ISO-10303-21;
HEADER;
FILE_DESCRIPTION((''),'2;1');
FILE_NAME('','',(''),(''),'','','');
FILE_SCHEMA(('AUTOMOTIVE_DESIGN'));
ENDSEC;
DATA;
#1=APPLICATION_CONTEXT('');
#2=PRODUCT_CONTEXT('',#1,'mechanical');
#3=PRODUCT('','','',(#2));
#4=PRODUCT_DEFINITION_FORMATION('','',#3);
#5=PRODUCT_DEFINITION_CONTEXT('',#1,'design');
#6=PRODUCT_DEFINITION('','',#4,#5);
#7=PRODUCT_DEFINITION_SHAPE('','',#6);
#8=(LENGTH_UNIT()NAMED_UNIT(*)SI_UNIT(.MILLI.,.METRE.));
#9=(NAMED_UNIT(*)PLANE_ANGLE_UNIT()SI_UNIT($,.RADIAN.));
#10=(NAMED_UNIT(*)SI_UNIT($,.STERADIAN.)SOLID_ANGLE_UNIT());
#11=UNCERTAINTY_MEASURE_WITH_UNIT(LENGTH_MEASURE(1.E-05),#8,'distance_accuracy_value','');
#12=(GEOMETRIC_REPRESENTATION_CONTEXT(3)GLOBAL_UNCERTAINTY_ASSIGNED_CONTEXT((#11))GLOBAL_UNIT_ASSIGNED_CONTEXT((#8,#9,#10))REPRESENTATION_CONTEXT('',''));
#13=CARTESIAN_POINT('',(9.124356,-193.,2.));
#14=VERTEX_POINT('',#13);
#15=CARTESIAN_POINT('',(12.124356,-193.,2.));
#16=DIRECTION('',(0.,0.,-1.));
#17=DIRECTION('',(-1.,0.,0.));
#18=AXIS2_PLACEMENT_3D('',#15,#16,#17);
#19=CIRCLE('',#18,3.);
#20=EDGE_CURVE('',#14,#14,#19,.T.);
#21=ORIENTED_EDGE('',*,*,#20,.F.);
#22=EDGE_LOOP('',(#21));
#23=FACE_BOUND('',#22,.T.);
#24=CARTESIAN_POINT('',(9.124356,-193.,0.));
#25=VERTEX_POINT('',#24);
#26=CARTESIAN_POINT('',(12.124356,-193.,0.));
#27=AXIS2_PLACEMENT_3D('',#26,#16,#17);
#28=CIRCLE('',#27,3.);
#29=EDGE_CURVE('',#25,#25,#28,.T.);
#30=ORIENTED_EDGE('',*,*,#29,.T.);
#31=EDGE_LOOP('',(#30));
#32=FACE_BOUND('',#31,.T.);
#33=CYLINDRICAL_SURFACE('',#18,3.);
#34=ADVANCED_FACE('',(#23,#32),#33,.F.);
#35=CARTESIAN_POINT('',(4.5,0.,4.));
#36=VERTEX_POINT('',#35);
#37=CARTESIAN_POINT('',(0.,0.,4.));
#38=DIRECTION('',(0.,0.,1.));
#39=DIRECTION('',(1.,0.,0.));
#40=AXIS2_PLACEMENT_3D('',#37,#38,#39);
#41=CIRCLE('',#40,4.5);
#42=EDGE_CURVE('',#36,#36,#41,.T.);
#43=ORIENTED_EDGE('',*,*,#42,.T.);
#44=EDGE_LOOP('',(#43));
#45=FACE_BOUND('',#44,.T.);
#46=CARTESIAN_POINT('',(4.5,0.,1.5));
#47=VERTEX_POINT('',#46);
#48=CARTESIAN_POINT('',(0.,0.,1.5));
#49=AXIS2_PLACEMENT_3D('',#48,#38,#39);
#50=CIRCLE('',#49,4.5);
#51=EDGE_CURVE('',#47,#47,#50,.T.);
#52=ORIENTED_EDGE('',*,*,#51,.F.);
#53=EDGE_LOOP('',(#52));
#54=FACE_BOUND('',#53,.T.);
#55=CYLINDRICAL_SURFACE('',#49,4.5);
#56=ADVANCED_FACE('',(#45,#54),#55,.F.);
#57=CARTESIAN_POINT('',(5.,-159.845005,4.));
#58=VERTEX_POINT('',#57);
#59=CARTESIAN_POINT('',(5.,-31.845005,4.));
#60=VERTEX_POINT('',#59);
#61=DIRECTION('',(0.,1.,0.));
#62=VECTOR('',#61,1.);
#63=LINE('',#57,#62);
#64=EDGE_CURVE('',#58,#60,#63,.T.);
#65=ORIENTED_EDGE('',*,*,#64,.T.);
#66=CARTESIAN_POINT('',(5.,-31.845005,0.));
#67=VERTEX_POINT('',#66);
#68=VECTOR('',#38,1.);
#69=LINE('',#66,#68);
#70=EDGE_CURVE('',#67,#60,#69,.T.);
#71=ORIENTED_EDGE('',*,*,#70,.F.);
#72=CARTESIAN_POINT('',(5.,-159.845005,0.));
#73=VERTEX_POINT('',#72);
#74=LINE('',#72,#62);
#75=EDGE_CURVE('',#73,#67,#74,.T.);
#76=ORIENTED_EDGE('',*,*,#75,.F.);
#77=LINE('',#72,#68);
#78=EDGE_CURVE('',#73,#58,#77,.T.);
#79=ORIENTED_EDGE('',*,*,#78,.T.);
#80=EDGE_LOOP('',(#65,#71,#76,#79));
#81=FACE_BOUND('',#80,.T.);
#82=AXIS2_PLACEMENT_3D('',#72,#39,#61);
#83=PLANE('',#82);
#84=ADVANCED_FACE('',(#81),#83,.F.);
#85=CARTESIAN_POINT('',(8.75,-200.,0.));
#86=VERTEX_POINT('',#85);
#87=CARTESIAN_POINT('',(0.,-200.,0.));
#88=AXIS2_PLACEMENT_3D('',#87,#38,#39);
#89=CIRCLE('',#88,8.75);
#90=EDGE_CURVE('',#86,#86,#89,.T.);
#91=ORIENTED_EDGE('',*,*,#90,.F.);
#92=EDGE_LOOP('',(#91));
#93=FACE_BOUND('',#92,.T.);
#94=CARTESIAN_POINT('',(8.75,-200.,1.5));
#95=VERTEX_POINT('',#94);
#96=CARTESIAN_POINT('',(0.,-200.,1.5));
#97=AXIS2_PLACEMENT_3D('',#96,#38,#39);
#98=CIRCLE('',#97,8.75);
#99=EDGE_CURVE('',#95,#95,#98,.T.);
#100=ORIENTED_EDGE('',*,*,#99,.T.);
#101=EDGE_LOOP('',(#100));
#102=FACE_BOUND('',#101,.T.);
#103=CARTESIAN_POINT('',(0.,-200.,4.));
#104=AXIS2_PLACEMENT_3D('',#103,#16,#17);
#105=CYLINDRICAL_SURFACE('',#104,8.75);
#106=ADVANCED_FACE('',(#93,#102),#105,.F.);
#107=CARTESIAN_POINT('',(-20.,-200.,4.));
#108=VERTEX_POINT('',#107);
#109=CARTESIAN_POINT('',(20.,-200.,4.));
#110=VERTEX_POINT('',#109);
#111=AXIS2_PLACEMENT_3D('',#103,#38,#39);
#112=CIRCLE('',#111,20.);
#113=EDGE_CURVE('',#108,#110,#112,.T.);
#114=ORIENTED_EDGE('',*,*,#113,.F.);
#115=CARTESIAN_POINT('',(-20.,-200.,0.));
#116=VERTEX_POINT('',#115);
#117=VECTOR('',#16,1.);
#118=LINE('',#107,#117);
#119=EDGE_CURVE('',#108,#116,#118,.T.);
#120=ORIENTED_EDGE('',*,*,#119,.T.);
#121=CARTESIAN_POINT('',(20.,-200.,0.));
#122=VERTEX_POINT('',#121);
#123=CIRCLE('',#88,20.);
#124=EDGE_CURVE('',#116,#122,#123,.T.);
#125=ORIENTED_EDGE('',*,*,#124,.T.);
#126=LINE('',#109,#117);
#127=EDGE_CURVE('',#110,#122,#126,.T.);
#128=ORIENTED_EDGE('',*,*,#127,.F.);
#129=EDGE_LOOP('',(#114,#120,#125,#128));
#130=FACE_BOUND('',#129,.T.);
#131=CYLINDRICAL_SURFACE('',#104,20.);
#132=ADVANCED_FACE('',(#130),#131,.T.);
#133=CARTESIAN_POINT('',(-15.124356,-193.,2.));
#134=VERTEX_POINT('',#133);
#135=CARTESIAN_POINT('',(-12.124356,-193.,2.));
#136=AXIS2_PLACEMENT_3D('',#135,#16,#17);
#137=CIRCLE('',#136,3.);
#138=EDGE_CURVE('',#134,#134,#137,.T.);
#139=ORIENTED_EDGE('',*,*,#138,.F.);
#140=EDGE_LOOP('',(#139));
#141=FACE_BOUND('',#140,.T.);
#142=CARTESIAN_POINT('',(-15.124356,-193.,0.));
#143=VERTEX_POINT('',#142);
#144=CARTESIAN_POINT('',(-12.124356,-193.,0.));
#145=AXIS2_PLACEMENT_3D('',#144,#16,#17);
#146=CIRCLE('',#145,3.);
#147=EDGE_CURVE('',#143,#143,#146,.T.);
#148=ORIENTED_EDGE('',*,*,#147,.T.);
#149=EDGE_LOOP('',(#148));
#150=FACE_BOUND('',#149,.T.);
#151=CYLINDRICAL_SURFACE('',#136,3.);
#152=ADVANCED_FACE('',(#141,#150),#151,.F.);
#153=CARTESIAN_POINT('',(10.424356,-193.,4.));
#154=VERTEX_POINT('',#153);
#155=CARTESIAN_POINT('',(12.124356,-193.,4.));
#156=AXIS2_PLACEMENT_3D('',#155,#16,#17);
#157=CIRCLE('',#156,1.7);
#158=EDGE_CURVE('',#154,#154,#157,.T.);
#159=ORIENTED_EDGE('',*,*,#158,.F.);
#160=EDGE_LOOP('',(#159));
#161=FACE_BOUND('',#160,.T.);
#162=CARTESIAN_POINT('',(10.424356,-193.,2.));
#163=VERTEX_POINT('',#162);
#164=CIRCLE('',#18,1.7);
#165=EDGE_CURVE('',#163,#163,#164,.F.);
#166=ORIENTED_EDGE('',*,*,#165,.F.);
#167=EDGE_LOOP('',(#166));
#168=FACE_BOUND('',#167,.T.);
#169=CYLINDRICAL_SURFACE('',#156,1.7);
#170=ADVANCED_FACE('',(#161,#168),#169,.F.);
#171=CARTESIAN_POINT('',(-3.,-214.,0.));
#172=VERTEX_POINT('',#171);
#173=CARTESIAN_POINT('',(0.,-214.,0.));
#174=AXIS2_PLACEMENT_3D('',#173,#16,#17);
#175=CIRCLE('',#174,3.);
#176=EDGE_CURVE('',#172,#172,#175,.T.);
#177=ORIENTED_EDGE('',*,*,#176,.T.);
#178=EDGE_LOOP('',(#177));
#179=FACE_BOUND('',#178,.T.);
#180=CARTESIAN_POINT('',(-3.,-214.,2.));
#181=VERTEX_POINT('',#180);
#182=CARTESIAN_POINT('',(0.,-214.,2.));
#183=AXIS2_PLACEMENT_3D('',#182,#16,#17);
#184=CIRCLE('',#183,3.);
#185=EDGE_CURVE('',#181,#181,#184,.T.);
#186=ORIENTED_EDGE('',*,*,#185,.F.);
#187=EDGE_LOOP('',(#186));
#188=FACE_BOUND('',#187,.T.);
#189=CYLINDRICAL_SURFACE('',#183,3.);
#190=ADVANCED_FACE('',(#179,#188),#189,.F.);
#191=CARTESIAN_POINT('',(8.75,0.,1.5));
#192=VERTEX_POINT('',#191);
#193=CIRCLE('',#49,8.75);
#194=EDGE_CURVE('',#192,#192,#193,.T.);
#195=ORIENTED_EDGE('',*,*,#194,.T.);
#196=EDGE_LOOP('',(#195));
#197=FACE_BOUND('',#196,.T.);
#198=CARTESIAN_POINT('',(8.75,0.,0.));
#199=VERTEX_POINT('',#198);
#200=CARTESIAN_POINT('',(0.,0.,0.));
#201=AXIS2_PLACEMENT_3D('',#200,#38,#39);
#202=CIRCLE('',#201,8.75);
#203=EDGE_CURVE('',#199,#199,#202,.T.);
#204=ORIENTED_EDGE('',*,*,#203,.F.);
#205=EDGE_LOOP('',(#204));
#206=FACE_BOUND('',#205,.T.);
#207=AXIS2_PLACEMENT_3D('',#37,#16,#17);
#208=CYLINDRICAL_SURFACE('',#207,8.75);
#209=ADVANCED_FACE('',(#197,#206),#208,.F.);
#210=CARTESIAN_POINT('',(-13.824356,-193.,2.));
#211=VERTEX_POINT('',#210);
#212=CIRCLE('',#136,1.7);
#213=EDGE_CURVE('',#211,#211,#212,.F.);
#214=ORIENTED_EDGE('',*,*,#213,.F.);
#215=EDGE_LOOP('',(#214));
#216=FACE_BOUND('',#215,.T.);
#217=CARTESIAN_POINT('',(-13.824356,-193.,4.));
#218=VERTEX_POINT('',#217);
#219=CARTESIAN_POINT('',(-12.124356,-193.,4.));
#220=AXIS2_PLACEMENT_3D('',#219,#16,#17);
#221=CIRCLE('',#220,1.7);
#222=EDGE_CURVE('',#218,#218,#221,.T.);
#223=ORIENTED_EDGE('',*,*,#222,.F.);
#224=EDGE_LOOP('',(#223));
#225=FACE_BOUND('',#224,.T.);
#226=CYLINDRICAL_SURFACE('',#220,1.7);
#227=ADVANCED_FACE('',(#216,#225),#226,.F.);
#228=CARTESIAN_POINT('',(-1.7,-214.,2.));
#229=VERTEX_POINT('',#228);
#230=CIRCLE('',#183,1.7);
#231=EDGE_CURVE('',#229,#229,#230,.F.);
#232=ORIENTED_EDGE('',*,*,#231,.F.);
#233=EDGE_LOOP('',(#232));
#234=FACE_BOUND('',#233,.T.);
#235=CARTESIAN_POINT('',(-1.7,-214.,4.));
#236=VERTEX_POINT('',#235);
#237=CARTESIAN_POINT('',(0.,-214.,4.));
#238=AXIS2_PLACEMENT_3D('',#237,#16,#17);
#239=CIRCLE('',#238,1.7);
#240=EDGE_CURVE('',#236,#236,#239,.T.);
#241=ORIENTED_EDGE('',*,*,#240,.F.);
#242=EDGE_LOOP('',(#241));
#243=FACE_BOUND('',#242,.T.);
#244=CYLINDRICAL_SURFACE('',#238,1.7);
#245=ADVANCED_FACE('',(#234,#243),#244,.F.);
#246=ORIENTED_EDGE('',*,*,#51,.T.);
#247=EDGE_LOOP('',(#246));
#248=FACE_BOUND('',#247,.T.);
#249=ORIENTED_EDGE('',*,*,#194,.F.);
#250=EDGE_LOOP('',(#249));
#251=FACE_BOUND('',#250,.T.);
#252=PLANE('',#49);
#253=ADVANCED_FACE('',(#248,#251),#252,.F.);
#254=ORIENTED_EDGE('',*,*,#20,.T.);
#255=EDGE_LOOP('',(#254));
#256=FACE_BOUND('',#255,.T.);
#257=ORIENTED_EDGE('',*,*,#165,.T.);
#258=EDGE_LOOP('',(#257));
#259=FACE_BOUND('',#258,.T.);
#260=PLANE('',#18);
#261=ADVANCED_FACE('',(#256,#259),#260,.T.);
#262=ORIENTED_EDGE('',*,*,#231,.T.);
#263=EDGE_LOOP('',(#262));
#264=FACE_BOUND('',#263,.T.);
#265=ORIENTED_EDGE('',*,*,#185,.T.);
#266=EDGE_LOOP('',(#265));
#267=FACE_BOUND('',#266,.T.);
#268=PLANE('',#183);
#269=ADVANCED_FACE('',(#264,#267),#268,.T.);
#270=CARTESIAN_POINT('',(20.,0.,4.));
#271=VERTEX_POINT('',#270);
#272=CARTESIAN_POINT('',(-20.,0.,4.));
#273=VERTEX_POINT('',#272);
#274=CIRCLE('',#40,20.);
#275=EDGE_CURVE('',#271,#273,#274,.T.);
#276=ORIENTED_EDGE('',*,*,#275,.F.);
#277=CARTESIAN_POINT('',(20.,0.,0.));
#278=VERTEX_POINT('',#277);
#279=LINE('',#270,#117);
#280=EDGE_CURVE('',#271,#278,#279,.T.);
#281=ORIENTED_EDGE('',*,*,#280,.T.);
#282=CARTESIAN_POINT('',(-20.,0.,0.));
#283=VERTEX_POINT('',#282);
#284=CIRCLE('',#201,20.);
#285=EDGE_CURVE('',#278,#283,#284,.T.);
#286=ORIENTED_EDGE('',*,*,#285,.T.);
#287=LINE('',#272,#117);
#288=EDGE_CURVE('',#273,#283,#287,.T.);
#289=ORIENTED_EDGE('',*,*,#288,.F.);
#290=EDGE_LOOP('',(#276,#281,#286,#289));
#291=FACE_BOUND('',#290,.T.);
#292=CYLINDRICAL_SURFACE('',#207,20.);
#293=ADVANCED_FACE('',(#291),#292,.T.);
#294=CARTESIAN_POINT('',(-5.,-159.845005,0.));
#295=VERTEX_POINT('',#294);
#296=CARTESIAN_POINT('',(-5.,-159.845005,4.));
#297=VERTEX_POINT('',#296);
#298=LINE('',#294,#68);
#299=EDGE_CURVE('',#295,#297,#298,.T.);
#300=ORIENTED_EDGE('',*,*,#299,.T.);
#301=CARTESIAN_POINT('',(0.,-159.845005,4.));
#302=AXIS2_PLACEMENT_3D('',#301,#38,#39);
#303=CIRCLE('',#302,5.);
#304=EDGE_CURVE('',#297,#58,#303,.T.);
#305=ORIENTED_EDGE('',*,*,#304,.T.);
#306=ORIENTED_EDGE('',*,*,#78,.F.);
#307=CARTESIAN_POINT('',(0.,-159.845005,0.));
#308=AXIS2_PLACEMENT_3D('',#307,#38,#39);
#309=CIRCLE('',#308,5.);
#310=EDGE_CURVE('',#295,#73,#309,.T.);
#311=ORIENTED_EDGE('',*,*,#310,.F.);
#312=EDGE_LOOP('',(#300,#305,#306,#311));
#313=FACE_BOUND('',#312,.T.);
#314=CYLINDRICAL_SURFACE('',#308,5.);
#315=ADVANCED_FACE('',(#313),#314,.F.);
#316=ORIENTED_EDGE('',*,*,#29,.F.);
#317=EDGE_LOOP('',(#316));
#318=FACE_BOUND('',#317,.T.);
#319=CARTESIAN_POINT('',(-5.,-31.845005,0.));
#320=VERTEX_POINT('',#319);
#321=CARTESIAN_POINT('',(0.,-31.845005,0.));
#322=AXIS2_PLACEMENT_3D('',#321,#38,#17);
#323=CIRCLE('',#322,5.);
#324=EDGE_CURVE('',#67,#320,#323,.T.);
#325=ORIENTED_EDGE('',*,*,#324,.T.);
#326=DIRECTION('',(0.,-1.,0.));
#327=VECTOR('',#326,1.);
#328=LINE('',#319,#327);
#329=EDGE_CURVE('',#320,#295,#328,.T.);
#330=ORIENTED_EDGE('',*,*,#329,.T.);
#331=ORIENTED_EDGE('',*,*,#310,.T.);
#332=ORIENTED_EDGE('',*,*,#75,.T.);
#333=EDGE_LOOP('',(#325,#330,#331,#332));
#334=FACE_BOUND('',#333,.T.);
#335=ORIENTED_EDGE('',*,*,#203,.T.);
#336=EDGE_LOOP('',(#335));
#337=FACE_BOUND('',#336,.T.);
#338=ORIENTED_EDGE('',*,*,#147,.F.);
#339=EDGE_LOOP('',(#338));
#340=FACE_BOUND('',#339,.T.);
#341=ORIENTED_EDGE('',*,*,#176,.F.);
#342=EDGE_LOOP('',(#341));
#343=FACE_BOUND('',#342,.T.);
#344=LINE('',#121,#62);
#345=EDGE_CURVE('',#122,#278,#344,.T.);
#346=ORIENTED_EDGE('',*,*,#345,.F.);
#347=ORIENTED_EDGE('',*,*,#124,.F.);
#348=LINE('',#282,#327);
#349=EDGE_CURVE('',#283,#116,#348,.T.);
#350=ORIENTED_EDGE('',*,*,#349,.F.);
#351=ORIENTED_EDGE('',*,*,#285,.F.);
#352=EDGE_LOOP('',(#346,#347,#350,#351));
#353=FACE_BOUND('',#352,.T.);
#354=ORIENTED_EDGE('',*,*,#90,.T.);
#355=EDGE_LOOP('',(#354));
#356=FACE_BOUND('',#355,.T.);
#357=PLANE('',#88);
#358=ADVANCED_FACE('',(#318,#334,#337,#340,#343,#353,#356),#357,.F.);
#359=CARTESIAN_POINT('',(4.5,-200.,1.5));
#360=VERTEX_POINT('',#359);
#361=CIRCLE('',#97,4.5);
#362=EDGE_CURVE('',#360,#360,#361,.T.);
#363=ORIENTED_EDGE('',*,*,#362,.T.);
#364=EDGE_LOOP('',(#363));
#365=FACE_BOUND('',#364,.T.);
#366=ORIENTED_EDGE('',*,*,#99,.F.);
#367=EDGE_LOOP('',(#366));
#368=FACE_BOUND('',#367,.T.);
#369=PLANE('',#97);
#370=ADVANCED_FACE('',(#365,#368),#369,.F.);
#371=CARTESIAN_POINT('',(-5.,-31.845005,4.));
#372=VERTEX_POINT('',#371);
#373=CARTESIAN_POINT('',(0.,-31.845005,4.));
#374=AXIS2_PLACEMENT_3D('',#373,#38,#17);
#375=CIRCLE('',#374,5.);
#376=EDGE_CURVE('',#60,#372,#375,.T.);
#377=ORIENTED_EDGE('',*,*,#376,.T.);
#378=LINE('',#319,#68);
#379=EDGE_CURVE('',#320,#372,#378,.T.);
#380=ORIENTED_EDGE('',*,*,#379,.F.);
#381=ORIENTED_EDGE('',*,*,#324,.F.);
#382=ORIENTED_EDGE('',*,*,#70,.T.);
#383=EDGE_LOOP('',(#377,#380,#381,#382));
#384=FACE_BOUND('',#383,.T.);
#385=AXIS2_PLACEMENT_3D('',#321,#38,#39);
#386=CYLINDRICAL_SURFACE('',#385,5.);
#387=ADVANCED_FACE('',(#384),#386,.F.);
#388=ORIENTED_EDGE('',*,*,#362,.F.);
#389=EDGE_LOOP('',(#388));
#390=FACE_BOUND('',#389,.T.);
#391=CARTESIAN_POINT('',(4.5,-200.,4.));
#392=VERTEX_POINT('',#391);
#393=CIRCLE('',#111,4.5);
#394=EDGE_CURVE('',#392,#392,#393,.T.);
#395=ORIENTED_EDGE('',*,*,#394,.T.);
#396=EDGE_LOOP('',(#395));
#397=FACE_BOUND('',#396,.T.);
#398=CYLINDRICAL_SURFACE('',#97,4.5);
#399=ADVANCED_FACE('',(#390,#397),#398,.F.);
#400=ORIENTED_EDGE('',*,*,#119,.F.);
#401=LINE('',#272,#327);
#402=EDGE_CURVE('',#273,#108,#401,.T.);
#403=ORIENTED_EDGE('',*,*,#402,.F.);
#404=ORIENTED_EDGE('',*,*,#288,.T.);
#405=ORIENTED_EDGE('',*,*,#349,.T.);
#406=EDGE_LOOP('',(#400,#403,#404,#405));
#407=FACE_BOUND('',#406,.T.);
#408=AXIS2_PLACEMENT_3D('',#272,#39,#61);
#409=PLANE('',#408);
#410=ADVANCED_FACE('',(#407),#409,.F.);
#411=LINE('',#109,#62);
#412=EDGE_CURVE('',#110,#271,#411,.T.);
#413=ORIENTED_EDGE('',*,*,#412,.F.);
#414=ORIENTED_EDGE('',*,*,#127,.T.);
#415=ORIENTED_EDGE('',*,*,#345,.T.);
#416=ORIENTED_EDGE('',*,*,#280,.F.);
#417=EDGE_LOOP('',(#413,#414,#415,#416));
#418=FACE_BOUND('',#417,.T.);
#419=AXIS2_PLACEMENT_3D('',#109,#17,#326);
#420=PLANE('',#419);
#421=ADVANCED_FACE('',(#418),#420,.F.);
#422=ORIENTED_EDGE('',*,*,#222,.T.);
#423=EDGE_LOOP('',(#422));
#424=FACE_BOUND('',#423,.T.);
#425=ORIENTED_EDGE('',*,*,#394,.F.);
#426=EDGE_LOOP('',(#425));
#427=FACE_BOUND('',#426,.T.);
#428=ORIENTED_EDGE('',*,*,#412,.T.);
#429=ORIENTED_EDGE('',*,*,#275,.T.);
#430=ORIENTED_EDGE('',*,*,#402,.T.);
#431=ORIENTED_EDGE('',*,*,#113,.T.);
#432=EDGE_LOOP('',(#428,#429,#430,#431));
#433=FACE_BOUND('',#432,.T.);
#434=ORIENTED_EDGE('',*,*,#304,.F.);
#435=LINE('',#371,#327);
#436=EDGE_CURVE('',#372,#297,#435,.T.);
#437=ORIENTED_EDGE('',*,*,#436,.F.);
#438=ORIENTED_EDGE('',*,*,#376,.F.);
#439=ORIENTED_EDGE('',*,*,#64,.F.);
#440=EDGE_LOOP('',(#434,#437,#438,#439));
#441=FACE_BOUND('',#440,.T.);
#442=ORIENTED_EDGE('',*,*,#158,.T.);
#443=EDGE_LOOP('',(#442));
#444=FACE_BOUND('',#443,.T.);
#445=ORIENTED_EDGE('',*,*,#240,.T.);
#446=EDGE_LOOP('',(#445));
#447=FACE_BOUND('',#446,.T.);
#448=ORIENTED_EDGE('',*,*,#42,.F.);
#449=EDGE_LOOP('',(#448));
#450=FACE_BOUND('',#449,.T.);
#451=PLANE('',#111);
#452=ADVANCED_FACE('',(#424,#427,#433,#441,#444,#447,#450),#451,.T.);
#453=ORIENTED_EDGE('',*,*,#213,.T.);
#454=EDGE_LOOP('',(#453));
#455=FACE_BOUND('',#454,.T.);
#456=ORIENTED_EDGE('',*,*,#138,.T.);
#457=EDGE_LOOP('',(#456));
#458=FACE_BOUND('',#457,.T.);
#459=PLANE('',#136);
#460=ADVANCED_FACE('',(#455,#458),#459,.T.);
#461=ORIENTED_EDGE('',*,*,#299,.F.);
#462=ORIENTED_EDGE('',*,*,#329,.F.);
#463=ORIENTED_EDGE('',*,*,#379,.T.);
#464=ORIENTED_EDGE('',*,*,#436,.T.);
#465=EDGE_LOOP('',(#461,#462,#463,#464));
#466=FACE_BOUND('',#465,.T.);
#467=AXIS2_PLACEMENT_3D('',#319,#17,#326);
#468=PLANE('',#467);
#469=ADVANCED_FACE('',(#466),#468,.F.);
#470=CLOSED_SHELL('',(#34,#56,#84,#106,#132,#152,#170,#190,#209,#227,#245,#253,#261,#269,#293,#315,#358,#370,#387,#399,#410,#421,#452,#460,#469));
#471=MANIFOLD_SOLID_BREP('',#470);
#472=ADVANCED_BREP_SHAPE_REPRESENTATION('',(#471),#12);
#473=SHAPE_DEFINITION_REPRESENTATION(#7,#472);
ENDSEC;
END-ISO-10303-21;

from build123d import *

# Parameters (mm, degrees)
SKETCH_1_R          = 8.75
EXTRUDE_1_DEPTH     = 4
EXTRUDE_START       = -2.5
SKETCH_3_R          = 8.75
SKETCH_3_R_2        = 4.5
EXTRUDE_2_DEPTH     = 2.5
CUT_EXTRUDE_2_DEPTH = 221.943431674
SKETCH_4_R          = 1.7
CUT_EXTRUDE_3_DEPTH = 221.943431674
SKETCH_5_R          = 3
CUT_EXTRUDE_4_DEPTH = 2


with BuildPart() as part:
    # 草图1 → 凸台-拉伸1 (new body)
    with BuildSketch(Plane.XY):
        with BuildLine():
            Line((-20, 0), (-20, -200))
            ThreePointArc((-20, -200), (0, -220), (20, -200))
            Line((20, -200), (20, 0))
            ThreePointArc((20, 0), (0, 20), (-20, 0))
        make_face()
        Circle(SKETCH_1_R, mode=Mode.SUBTRACT)
        with Locations((0, -200)):
            Circle(SKETCH_1_R, mode=Mode.SUBTRACT)
    extrude(amount=EXTRUDE_1_DEPTH)

    # 草图3 → 凸台-拉伸2 (add)
    # profile 1 of 2: a face of its own
    with BuildSketch(Plane.XY.offset(4).offset(EXTRUDE_START)):
        Circle(SKETCH_3_R)
        Circle(SKETCH_3_R_2, mode=Mode.SUBTRACT)
    # profile 2 of 2: a face of its own
    with BuildSketch(Plane.XY.offset(4).offset(EXTRUDE_START)):
        with Locations((0, -200)):
            Circle(SKETCH_3_R)
        with Locations((0, -200)):
            Circle(SKETCH_3_R_2, mode=Mode.SUBTRACT)
    extrude(amount=EXTRUDE_2_DEPTH)

    # 草图2 → 切除-拉伸2 (cut, through all)
    with BuildSketch(Plane.XY.offset(4)):
        with BuildLine():
            Line((-5, -31.845004689), (-5, -159.845004689))
            ThreePointArc((-5, -159.845004689), (0, -164.845004689), (5, -159.845004689))
            Line((5, -159.845004689), (5, -31.845004689))
            ThreePointArc((5, -31.845004689), (0, -26.845004689), (-5, -31.845004689))
        make_face()
    extrude(amount=-CUT_EXTRUDE_2_DEPTH, mode=Mode.SUBTRACT)

    # 草图4 → 切除-拉伸3 (cut, through all)
    with BuildSketch(Plane(origin=(0, 0, 0), x_dir=(-1, 0, 0), z_dir=(0, 0, -1))):
        with Locations((0, -214)):
            Circle(SKETCH_4_R)
        with Locations((-12.124355653, -193)):
            Circle(SKETCH_4_R)
        with Locations((12.124355653, -193)):
            Circle(SKETCH_4_R)
    extrude(amount=-CUT_EXTRUDE_3_DEPTH, mode=Mode.SUBTRACT)

    # 草图5 → 切除-拉伸4 (cut)
    with BuildSketch(Plane(origin=(0, 0, 0), x_dir=(-1, 0, 0), z_dir=(0, 0, -1))):
        with Locations((-12.124355653, -193)):
            Circle(SKETCH_5_R)
        with Locations((12.124355653, -193)):
            Circle(SKETCH_5_R)
        with Locations((0, -214)):
            Circle(SKETCH_5_R)
    extrude(amount=-CUT_EXTRUDE_4_DEPTH, mode=Mode.SUBTRACT)


solid = part.part
